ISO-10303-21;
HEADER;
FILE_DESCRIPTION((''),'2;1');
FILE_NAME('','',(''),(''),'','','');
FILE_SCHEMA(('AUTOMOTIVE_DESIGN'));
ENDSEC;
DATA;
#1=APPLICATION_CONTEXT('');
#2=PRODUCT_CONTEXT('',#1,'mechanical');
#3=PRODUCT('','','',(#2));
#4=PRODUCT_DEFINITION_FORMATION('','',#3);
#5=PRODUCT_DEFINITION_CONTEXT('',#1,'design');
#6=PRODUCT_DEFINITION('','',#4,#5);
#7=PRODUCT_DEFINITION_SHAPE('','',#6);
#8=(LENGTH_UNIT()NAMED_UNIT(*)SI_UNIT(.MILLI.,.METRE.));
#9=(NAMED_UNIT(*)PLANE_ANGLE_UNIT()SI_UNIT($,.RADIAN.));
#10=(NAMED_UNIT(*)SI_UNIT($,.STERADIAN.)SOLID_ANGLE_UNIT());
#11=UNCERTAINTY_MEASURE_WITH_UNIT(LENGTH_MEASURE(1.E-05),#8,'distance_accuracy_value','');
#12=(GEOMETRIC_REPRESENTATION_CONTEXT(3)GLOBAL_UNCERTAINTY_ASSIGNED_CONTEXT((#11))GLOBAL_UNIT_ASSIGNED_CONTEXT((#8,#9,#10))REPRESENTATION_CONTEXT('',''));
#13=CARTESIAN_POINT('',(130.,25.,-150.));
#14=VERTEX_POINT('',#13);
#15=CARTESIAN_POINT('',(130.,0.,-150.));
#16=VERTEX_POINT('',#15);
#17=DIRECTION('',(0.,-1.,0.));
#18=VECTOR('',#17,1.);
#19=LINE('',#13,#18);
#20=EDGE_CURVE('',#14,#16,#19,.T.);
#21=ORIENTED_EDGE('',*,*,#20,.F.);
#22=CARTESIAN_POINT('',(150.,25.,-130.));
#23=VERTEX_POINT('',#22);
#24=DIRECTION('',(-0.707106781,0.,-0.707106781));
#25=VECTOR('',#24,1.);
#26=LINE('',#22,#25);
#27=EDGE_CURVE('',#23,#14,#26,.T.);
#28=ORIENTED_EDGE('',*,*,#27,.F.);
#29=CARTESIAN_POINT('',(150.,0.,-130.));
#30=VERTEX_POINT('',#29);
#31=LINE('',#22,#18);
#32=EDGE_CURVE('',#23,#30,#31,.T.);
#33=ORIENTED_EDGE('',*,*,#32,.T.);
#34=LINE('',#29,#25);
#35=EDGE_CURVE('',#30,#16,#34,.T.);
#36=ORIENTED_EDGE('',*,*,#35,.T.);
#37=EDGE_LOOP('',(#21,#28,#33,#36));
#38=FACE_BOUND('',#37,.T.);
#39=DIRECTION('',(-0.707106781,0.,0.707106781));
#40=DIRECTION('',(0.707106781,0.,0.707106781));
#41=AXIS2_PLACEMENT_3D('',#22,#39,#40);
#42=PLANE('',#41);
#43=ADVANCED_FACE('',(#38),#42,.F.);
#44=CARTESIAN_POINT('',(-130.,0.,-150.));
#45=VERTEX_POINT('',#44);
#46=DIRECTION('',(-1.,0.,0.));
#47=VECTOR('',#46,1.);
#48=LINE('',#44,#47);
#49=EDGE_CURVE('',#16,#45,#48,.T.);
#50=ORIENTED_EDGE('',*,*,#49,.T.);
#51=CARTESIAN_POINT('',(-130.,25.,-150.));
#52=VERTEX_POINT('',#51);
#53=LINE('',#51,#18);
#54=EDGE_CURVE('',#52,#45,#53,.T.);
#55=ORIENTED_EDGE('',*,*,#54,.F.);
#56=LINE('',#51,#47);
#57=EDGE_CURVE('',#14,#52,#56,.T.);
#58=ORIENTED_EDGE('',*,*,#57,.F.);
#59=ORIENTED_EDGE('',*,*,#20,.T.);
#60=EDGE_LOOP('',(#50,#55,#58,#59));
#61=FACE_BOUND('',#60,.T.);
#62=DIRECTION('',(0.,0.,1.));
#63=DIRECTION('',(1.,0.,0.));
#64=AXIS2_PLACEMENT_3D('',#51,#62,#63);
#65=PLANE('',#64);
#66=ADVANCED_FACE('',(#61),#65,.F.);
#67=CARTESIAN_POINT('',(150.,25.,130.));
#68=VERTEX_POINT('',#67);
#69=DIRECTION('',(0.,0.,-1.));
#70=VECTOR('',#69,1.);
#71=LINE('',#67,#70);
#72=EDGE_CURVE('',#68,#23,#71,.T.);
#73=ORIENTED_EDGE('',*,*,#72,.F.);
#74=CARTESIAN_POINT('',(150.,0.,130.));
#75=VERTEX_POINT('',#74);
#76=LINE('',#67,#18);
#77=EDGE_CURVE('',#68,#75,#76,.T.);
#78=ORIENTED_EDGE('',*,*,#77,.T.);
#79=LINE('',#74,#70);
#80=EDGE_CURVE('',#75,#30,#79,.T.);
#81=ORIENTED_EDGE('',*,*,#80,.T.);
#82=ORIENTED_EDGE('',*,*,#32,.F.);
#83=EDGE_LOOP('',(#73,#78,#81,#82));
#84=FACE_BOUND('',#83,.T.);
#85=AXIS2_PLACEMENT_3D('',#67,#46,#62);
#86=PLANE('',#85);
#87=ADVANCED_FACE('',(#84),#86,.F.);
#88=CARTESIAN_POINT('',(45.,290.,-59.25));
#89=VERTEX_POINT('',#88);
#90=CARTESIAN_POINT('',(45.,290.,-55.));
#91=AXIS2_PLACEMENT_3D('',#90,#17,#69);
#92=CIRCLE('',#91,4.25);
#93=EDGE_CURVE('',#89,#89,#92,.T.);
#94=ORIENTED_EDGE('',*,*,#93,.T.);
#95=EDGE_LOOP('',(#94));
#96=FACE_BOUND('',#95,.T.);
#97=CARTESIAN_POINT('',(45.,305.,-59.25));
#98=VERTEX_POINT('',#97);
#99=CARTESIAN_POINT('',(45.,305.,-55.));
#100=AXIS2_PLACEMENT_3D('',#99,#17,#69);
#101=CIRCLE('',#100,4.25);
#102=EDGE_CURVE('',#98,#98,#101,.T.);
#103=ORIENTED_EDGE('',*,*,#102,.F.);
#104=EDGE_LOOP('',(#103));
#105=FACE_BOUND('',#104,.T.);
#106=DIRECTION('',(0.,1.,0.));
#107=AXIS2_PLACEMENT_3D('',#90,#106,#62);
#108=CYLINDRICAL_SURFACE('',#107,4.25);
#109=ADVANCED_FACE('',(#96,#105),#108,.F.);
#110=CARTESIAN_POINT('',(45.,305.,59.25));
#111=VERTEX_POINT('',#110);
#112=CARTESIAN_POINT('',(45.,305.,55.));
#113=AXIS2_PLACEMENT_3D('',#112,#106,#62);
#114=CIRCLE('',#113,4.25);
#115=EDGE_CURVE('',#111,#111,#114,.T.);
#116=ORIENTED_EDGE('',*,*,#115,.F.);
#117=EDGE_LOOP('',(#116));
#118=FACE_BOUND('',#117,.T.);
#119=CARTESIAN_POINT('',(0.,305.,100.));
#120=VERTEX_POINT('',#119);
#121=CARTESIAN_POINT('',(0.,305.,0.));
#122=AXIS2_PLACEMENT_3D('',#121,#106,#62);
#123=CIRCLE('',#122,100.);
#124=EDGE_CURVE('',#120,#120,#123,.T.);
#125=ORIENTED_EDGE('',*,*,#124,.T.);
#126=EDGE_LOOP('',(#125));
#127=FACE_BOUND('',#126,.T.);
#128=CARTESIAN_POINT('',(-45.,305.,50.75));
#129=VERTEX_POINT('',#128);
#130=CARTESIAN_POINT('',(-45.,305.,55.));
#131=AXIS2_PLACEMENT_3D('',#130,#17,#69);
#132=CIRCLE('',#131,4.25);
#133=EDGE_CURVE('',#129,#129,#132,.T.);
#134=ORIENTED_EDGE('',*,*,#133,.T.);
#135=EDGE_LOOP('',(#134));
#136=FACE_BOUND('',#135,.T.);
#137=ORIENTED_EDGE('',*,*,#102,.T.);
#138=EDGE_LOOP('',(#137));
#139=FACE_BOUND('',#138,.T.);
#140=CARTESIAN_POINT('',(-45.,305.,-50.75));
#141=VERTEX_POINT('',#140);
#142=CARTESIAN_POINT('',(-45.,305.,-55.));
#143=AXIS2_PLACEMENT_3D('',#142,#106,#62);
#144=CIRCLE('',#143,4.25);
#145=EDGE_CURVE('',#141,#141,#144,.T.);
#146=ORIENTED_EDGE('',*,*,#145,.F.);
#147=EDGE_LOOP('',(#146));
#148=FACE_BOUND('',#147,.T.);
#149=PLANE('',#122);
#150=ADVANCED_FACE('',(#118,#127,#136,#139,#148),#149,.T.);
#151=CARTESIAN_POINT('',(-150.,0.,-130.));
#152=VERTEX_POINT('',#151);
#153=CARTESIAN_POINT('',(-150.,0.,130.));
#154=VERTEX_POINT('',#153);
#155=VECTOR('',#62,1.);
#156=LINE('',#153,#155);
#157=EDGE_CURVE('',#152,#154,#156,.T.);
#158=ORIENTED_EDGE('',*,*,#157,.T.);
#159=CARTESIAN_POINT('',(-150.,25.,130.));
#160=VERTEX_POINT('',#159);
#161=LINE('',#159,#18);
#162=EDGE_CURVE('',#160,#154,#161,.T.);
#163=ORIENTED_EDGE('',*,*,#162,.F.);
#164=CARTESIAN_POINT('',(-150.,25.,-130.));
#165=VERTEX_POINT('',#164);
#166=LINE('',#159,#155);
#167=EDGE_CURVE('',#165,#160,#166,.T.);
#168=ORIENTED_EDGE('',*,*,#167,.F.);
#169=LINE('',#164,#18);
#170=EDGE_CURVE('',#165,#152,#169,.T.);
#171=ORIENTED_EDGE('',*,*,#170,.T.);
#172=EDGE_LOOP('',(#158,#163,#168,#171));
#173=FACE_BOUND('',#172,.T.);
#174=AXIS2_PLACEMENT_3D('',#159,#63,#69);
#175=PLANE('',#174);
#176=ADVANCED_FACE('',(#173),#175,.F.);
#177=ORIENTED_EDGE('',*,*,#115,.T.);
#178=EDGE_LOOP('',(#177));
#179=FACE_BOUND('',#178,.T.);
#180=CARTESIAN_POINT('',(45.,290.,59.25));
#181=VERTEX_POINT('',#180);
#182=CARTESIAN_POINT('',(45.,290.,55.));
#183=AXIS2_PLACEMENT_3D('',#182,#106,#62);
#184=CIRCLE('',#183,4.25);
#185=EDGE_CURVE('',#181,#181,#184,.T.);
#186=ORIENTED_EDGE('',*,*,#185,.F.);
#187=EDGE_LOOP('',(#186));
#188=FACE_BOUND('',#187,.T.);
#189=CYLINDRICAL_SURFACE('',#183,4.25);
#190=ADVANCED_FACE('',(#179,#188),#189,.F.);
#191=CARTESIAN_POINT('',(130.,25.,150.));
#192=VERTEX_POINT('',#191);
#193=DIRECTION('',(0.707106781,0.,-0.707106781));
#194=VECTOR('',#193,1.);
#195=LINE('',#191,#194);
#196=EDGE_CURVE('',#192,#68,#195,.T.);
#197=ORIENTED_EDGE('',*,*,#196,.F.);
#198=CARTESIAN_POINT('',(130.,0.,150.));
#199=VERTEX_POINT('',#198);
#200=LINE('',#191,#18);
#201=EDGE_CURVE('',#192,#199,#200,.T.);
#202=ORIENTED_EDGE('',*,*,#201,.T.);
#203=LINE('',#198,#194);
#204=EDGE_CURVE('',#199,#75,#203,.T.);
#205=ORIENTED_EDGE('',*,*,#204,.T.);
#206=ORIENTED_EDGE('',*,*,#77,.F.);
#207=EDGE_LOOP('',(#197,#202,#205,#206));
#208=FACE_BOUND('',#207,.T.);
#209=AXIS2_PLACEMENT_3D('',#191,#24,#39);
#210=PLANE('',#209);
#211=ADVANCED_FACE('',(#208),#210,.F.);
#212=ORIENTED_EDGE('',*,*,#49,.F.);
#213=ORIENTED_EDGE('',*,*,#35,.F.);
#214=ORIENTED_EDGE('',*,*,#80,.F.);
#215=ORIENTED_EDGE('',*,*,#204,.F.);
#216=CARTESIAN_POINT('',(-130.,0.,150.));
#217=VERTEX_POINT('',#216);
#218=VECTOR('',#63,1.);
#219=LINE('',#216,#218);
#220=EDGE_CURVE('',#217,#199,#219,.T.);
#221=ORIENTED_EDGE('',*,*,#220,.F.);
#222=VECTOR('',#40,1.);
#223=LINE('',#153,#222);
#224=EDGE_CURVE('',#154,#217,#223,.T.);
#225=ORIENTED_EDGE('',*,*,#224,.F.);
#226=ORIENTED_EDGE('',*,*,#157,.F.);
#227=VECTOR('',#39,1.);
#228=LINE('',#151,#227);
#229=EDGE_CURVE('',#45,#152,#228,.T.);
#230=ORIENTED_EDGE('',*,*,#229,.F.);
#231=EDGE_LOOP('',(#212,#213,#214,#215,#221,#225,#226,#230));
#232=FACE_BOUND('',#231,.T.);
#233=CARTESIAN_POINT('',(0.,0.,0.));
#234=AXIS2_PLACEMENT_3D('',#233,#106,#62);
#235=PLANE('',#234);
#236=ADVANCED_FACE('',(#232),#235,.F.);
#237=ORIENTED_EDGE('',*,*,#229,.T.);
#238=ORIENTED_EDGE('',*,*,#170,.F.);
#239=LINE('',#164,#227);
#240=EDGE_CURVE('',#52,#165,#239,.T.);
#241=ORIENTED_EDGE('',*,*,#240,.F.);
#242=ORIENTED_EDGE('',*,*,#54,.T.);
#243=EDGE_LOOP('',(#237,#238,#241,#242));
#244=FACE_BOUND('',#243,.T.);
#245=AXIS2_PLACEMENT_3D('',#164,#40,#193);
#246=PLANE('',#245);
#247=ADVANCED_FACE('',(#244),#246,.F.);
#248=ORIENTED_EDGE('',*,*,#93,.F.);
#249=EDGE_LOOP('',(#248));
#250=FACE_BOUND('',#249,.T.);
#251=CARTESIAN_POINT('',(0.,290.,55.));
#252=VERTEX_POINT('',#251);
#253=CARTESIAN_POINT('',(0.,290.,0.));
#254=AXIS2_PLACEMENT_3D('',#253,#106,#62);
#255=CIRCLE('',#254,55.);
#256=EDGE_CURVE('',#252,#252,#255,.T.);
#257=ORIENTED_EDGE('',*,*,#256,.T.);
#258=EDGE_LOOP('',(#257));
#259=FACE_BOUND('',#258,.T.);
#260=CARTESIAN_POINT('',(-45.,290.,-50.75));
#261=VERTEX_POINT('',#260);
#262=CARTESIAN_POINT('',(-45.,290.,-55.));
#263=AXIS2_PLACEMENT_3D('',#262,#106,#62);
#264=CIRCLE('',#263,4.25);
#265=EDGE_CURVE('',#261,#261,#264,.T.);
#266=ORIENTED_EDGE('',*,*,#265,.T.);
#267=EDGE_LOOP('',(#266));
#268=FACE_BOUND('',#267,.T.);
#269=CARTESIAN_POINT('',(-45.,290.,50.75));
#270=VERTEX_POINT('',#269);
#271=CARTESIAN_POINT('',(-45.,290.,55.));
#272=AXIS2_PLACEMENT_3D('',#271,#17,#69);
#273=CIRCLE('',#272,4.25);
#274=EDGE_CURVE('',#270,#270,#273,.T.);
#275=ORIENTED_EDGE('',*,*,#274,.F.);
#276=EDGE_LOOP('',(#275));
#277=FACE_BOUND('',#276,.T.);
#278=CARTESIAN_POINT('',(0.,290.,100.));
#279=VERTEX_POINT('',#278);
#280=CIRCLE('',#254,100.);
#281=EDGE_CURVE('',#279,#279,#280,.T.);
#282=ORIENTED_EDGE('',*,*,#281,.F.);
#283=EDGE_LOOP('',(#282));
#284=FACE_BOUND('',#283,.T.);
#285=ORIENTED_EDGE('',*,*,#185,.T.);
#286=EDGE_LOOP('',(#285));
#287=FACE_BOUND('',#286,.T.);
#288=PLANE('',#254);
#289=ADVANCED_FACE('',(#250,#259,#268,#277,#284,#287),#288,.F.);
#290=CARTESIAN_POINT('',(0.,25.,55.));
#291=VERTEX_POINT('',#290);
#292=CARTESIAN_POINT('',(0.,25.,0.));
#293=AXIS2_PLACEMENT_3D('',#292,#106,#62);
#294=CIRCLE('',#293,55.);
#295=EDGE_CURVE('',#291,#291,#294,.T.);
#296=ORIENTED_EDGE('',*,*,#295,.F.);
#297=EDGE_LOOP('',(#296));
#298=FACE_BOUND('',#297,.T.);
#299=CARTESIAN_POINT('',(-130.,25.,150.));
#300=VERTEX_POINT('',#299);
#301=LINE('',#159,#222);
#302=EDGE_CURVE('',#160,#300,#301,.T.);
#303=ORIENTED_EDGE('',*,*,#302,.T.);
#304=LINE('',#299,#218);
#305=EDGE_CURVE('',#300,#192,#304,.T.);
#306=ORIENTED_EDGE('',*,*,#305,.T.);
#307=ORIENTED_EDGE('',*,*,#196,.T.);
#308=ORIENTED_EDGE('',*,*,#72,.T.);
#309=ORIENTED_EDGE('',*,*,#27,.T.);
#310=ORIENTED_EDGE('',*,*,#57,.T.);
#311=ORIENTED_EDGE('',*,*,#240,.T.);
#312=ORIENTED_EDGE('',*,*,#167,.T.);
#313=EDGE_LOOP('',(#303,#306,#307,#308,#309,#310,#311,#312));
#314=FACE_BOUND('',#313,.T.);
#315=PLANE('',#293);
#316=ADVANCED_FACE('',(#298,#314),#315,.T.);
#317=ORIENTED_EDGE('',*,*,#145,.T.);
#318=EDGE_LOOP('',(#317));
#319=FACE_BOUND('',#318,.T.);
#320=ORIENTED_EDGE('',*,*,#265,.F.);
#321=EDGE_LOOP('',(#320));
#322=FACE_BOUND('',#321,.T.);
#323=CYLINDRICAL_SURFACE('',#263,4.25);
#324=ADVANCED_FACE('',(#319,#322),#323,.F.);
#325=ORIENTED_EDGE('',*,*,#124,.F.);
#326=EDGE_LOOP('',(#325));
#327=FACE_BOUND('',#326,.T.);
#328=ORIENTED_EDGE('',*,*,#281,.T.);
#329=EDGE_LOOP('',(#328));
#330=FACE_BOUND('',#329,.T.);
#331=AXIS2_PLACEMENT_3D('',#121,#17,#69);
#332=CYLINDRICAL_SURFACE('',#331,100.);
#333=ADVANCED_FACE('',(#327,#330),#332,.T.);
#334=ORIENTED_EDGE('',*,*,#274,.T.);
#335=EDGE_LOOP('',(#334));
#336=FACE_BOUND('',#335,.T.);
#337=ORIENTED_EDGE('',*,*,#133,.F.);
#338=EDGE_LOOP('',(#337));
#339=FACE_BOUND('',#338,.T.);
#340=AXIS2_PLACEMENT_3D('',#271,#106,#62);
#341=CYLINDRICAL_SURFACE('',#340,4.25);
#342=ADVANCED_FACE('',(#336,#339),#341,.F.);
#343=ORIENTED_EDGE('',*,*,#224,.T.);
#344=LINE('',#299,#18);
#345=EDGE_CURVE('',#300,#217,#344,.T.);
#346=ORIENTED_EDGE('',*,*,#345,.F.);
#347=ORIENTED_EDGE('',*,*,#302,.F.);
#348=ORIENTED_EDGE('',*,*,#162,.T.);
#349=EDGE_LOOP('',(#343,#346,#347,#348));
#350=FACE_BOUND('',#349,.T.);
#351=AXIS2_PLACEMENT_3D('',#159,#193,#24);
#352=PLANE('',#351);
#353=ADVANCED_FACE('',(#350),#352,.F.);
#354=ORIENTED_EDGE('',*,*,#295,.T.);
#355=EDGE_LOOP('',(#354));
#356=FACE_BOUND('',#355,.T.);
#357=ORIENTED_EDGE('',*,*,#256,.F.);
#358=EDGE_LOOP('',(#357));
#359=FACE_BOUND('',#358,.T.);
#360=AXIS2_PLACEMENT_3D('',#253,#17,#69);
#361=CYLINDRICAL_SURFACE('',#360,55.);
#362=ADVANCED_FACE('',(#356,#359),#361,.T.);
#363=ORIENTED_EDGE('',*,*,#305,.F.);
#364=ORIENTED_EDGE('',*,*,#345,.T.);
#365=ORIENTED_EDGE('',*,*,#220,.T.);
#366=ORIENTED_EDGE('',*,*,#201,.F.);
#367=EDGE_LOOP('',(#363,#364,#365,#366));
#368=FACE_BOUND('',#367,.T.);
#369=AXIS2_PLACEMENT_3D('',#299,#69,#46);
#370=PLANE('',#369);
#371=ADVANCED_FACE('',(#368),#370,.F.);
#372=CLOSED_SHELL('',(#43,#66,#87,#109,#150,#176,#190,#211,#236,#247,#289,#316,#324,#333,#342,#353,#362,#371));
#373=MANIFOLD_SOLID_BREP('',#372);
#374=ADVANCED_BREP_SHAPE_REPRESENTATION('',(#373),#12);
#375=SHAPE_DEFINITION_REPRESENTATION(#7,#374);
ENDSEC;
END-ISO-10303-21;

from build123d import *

# Parameters (mm, degrees)
BOSS_EXTRUDE1_DEPTH = 25
SKETCH2_R           = 55
BOSS_EXTRUDE2_DEPTH = 265
SKETCH3_R           = 100
BOSS_EXTRUDE3_DEPTH = 15
SKETCH4_R           = 4.25
CUT_EXTRUDE1_DEPTH  = 15


with BuildPart() as part:
    # Sketch1 → Boss-Extrude1 (new body)
    with BuildSketch(Plane(origin=(0, 0, 0), x_dir=(1, 0, 0), z_dir=(0, 1, 0))):
        Polygon((-150, 130), (-130, 150), (130, 150), (150, 130), (150, -130), (130, -150), (-130, -150), (-150, -130), align=None)
    extrude(amount=BOSS_EXTRUDE1_DEPTH)

    # Sketch2 → Boss-Extrude2 (add)
    with BuildSketch(Plane(origin=(0, 25, 0), x_dir=(1, 0, 0), z_dir=(0, 1, 0))):
        Circle(SKETCH2_R)
    extrude(amount=BOSS_EXTRUDE2_DEPTH)

    # Sketch3 → Boss-Extrude3 (add)
    with BuildSketch(Plane(origin=(0, 290, 0), x_dir=(1, 0, 0), z_dir=(0, 1, 0))):
        Circle(SKETCH3_R)
    extrude(amount=BOSS_EXTRUDE3_DEPTH)

    # Sketch4 → Cut-Extrude1 (cut)
    with BuildSketch(Plane(origin=(0, 305, 0), x_dir=(1, 0, 0), z_dir=(0, 1, 0))):
        with Locations((-45, 55)):
            Circle(SKETCH4_R)
        with Locations((45, 55)):
            Circle(SKETCH4_R)
        with Locations((45, -55)):
            Circle(SKETCH4_R)
        with Locations((-45, -55)):
            Circle(SKETCH4_R)
    extrude(amount=-CUT_EXTRUDE1_DEPTH, mode=Mode.SUBTRACT)


solid = part.part
